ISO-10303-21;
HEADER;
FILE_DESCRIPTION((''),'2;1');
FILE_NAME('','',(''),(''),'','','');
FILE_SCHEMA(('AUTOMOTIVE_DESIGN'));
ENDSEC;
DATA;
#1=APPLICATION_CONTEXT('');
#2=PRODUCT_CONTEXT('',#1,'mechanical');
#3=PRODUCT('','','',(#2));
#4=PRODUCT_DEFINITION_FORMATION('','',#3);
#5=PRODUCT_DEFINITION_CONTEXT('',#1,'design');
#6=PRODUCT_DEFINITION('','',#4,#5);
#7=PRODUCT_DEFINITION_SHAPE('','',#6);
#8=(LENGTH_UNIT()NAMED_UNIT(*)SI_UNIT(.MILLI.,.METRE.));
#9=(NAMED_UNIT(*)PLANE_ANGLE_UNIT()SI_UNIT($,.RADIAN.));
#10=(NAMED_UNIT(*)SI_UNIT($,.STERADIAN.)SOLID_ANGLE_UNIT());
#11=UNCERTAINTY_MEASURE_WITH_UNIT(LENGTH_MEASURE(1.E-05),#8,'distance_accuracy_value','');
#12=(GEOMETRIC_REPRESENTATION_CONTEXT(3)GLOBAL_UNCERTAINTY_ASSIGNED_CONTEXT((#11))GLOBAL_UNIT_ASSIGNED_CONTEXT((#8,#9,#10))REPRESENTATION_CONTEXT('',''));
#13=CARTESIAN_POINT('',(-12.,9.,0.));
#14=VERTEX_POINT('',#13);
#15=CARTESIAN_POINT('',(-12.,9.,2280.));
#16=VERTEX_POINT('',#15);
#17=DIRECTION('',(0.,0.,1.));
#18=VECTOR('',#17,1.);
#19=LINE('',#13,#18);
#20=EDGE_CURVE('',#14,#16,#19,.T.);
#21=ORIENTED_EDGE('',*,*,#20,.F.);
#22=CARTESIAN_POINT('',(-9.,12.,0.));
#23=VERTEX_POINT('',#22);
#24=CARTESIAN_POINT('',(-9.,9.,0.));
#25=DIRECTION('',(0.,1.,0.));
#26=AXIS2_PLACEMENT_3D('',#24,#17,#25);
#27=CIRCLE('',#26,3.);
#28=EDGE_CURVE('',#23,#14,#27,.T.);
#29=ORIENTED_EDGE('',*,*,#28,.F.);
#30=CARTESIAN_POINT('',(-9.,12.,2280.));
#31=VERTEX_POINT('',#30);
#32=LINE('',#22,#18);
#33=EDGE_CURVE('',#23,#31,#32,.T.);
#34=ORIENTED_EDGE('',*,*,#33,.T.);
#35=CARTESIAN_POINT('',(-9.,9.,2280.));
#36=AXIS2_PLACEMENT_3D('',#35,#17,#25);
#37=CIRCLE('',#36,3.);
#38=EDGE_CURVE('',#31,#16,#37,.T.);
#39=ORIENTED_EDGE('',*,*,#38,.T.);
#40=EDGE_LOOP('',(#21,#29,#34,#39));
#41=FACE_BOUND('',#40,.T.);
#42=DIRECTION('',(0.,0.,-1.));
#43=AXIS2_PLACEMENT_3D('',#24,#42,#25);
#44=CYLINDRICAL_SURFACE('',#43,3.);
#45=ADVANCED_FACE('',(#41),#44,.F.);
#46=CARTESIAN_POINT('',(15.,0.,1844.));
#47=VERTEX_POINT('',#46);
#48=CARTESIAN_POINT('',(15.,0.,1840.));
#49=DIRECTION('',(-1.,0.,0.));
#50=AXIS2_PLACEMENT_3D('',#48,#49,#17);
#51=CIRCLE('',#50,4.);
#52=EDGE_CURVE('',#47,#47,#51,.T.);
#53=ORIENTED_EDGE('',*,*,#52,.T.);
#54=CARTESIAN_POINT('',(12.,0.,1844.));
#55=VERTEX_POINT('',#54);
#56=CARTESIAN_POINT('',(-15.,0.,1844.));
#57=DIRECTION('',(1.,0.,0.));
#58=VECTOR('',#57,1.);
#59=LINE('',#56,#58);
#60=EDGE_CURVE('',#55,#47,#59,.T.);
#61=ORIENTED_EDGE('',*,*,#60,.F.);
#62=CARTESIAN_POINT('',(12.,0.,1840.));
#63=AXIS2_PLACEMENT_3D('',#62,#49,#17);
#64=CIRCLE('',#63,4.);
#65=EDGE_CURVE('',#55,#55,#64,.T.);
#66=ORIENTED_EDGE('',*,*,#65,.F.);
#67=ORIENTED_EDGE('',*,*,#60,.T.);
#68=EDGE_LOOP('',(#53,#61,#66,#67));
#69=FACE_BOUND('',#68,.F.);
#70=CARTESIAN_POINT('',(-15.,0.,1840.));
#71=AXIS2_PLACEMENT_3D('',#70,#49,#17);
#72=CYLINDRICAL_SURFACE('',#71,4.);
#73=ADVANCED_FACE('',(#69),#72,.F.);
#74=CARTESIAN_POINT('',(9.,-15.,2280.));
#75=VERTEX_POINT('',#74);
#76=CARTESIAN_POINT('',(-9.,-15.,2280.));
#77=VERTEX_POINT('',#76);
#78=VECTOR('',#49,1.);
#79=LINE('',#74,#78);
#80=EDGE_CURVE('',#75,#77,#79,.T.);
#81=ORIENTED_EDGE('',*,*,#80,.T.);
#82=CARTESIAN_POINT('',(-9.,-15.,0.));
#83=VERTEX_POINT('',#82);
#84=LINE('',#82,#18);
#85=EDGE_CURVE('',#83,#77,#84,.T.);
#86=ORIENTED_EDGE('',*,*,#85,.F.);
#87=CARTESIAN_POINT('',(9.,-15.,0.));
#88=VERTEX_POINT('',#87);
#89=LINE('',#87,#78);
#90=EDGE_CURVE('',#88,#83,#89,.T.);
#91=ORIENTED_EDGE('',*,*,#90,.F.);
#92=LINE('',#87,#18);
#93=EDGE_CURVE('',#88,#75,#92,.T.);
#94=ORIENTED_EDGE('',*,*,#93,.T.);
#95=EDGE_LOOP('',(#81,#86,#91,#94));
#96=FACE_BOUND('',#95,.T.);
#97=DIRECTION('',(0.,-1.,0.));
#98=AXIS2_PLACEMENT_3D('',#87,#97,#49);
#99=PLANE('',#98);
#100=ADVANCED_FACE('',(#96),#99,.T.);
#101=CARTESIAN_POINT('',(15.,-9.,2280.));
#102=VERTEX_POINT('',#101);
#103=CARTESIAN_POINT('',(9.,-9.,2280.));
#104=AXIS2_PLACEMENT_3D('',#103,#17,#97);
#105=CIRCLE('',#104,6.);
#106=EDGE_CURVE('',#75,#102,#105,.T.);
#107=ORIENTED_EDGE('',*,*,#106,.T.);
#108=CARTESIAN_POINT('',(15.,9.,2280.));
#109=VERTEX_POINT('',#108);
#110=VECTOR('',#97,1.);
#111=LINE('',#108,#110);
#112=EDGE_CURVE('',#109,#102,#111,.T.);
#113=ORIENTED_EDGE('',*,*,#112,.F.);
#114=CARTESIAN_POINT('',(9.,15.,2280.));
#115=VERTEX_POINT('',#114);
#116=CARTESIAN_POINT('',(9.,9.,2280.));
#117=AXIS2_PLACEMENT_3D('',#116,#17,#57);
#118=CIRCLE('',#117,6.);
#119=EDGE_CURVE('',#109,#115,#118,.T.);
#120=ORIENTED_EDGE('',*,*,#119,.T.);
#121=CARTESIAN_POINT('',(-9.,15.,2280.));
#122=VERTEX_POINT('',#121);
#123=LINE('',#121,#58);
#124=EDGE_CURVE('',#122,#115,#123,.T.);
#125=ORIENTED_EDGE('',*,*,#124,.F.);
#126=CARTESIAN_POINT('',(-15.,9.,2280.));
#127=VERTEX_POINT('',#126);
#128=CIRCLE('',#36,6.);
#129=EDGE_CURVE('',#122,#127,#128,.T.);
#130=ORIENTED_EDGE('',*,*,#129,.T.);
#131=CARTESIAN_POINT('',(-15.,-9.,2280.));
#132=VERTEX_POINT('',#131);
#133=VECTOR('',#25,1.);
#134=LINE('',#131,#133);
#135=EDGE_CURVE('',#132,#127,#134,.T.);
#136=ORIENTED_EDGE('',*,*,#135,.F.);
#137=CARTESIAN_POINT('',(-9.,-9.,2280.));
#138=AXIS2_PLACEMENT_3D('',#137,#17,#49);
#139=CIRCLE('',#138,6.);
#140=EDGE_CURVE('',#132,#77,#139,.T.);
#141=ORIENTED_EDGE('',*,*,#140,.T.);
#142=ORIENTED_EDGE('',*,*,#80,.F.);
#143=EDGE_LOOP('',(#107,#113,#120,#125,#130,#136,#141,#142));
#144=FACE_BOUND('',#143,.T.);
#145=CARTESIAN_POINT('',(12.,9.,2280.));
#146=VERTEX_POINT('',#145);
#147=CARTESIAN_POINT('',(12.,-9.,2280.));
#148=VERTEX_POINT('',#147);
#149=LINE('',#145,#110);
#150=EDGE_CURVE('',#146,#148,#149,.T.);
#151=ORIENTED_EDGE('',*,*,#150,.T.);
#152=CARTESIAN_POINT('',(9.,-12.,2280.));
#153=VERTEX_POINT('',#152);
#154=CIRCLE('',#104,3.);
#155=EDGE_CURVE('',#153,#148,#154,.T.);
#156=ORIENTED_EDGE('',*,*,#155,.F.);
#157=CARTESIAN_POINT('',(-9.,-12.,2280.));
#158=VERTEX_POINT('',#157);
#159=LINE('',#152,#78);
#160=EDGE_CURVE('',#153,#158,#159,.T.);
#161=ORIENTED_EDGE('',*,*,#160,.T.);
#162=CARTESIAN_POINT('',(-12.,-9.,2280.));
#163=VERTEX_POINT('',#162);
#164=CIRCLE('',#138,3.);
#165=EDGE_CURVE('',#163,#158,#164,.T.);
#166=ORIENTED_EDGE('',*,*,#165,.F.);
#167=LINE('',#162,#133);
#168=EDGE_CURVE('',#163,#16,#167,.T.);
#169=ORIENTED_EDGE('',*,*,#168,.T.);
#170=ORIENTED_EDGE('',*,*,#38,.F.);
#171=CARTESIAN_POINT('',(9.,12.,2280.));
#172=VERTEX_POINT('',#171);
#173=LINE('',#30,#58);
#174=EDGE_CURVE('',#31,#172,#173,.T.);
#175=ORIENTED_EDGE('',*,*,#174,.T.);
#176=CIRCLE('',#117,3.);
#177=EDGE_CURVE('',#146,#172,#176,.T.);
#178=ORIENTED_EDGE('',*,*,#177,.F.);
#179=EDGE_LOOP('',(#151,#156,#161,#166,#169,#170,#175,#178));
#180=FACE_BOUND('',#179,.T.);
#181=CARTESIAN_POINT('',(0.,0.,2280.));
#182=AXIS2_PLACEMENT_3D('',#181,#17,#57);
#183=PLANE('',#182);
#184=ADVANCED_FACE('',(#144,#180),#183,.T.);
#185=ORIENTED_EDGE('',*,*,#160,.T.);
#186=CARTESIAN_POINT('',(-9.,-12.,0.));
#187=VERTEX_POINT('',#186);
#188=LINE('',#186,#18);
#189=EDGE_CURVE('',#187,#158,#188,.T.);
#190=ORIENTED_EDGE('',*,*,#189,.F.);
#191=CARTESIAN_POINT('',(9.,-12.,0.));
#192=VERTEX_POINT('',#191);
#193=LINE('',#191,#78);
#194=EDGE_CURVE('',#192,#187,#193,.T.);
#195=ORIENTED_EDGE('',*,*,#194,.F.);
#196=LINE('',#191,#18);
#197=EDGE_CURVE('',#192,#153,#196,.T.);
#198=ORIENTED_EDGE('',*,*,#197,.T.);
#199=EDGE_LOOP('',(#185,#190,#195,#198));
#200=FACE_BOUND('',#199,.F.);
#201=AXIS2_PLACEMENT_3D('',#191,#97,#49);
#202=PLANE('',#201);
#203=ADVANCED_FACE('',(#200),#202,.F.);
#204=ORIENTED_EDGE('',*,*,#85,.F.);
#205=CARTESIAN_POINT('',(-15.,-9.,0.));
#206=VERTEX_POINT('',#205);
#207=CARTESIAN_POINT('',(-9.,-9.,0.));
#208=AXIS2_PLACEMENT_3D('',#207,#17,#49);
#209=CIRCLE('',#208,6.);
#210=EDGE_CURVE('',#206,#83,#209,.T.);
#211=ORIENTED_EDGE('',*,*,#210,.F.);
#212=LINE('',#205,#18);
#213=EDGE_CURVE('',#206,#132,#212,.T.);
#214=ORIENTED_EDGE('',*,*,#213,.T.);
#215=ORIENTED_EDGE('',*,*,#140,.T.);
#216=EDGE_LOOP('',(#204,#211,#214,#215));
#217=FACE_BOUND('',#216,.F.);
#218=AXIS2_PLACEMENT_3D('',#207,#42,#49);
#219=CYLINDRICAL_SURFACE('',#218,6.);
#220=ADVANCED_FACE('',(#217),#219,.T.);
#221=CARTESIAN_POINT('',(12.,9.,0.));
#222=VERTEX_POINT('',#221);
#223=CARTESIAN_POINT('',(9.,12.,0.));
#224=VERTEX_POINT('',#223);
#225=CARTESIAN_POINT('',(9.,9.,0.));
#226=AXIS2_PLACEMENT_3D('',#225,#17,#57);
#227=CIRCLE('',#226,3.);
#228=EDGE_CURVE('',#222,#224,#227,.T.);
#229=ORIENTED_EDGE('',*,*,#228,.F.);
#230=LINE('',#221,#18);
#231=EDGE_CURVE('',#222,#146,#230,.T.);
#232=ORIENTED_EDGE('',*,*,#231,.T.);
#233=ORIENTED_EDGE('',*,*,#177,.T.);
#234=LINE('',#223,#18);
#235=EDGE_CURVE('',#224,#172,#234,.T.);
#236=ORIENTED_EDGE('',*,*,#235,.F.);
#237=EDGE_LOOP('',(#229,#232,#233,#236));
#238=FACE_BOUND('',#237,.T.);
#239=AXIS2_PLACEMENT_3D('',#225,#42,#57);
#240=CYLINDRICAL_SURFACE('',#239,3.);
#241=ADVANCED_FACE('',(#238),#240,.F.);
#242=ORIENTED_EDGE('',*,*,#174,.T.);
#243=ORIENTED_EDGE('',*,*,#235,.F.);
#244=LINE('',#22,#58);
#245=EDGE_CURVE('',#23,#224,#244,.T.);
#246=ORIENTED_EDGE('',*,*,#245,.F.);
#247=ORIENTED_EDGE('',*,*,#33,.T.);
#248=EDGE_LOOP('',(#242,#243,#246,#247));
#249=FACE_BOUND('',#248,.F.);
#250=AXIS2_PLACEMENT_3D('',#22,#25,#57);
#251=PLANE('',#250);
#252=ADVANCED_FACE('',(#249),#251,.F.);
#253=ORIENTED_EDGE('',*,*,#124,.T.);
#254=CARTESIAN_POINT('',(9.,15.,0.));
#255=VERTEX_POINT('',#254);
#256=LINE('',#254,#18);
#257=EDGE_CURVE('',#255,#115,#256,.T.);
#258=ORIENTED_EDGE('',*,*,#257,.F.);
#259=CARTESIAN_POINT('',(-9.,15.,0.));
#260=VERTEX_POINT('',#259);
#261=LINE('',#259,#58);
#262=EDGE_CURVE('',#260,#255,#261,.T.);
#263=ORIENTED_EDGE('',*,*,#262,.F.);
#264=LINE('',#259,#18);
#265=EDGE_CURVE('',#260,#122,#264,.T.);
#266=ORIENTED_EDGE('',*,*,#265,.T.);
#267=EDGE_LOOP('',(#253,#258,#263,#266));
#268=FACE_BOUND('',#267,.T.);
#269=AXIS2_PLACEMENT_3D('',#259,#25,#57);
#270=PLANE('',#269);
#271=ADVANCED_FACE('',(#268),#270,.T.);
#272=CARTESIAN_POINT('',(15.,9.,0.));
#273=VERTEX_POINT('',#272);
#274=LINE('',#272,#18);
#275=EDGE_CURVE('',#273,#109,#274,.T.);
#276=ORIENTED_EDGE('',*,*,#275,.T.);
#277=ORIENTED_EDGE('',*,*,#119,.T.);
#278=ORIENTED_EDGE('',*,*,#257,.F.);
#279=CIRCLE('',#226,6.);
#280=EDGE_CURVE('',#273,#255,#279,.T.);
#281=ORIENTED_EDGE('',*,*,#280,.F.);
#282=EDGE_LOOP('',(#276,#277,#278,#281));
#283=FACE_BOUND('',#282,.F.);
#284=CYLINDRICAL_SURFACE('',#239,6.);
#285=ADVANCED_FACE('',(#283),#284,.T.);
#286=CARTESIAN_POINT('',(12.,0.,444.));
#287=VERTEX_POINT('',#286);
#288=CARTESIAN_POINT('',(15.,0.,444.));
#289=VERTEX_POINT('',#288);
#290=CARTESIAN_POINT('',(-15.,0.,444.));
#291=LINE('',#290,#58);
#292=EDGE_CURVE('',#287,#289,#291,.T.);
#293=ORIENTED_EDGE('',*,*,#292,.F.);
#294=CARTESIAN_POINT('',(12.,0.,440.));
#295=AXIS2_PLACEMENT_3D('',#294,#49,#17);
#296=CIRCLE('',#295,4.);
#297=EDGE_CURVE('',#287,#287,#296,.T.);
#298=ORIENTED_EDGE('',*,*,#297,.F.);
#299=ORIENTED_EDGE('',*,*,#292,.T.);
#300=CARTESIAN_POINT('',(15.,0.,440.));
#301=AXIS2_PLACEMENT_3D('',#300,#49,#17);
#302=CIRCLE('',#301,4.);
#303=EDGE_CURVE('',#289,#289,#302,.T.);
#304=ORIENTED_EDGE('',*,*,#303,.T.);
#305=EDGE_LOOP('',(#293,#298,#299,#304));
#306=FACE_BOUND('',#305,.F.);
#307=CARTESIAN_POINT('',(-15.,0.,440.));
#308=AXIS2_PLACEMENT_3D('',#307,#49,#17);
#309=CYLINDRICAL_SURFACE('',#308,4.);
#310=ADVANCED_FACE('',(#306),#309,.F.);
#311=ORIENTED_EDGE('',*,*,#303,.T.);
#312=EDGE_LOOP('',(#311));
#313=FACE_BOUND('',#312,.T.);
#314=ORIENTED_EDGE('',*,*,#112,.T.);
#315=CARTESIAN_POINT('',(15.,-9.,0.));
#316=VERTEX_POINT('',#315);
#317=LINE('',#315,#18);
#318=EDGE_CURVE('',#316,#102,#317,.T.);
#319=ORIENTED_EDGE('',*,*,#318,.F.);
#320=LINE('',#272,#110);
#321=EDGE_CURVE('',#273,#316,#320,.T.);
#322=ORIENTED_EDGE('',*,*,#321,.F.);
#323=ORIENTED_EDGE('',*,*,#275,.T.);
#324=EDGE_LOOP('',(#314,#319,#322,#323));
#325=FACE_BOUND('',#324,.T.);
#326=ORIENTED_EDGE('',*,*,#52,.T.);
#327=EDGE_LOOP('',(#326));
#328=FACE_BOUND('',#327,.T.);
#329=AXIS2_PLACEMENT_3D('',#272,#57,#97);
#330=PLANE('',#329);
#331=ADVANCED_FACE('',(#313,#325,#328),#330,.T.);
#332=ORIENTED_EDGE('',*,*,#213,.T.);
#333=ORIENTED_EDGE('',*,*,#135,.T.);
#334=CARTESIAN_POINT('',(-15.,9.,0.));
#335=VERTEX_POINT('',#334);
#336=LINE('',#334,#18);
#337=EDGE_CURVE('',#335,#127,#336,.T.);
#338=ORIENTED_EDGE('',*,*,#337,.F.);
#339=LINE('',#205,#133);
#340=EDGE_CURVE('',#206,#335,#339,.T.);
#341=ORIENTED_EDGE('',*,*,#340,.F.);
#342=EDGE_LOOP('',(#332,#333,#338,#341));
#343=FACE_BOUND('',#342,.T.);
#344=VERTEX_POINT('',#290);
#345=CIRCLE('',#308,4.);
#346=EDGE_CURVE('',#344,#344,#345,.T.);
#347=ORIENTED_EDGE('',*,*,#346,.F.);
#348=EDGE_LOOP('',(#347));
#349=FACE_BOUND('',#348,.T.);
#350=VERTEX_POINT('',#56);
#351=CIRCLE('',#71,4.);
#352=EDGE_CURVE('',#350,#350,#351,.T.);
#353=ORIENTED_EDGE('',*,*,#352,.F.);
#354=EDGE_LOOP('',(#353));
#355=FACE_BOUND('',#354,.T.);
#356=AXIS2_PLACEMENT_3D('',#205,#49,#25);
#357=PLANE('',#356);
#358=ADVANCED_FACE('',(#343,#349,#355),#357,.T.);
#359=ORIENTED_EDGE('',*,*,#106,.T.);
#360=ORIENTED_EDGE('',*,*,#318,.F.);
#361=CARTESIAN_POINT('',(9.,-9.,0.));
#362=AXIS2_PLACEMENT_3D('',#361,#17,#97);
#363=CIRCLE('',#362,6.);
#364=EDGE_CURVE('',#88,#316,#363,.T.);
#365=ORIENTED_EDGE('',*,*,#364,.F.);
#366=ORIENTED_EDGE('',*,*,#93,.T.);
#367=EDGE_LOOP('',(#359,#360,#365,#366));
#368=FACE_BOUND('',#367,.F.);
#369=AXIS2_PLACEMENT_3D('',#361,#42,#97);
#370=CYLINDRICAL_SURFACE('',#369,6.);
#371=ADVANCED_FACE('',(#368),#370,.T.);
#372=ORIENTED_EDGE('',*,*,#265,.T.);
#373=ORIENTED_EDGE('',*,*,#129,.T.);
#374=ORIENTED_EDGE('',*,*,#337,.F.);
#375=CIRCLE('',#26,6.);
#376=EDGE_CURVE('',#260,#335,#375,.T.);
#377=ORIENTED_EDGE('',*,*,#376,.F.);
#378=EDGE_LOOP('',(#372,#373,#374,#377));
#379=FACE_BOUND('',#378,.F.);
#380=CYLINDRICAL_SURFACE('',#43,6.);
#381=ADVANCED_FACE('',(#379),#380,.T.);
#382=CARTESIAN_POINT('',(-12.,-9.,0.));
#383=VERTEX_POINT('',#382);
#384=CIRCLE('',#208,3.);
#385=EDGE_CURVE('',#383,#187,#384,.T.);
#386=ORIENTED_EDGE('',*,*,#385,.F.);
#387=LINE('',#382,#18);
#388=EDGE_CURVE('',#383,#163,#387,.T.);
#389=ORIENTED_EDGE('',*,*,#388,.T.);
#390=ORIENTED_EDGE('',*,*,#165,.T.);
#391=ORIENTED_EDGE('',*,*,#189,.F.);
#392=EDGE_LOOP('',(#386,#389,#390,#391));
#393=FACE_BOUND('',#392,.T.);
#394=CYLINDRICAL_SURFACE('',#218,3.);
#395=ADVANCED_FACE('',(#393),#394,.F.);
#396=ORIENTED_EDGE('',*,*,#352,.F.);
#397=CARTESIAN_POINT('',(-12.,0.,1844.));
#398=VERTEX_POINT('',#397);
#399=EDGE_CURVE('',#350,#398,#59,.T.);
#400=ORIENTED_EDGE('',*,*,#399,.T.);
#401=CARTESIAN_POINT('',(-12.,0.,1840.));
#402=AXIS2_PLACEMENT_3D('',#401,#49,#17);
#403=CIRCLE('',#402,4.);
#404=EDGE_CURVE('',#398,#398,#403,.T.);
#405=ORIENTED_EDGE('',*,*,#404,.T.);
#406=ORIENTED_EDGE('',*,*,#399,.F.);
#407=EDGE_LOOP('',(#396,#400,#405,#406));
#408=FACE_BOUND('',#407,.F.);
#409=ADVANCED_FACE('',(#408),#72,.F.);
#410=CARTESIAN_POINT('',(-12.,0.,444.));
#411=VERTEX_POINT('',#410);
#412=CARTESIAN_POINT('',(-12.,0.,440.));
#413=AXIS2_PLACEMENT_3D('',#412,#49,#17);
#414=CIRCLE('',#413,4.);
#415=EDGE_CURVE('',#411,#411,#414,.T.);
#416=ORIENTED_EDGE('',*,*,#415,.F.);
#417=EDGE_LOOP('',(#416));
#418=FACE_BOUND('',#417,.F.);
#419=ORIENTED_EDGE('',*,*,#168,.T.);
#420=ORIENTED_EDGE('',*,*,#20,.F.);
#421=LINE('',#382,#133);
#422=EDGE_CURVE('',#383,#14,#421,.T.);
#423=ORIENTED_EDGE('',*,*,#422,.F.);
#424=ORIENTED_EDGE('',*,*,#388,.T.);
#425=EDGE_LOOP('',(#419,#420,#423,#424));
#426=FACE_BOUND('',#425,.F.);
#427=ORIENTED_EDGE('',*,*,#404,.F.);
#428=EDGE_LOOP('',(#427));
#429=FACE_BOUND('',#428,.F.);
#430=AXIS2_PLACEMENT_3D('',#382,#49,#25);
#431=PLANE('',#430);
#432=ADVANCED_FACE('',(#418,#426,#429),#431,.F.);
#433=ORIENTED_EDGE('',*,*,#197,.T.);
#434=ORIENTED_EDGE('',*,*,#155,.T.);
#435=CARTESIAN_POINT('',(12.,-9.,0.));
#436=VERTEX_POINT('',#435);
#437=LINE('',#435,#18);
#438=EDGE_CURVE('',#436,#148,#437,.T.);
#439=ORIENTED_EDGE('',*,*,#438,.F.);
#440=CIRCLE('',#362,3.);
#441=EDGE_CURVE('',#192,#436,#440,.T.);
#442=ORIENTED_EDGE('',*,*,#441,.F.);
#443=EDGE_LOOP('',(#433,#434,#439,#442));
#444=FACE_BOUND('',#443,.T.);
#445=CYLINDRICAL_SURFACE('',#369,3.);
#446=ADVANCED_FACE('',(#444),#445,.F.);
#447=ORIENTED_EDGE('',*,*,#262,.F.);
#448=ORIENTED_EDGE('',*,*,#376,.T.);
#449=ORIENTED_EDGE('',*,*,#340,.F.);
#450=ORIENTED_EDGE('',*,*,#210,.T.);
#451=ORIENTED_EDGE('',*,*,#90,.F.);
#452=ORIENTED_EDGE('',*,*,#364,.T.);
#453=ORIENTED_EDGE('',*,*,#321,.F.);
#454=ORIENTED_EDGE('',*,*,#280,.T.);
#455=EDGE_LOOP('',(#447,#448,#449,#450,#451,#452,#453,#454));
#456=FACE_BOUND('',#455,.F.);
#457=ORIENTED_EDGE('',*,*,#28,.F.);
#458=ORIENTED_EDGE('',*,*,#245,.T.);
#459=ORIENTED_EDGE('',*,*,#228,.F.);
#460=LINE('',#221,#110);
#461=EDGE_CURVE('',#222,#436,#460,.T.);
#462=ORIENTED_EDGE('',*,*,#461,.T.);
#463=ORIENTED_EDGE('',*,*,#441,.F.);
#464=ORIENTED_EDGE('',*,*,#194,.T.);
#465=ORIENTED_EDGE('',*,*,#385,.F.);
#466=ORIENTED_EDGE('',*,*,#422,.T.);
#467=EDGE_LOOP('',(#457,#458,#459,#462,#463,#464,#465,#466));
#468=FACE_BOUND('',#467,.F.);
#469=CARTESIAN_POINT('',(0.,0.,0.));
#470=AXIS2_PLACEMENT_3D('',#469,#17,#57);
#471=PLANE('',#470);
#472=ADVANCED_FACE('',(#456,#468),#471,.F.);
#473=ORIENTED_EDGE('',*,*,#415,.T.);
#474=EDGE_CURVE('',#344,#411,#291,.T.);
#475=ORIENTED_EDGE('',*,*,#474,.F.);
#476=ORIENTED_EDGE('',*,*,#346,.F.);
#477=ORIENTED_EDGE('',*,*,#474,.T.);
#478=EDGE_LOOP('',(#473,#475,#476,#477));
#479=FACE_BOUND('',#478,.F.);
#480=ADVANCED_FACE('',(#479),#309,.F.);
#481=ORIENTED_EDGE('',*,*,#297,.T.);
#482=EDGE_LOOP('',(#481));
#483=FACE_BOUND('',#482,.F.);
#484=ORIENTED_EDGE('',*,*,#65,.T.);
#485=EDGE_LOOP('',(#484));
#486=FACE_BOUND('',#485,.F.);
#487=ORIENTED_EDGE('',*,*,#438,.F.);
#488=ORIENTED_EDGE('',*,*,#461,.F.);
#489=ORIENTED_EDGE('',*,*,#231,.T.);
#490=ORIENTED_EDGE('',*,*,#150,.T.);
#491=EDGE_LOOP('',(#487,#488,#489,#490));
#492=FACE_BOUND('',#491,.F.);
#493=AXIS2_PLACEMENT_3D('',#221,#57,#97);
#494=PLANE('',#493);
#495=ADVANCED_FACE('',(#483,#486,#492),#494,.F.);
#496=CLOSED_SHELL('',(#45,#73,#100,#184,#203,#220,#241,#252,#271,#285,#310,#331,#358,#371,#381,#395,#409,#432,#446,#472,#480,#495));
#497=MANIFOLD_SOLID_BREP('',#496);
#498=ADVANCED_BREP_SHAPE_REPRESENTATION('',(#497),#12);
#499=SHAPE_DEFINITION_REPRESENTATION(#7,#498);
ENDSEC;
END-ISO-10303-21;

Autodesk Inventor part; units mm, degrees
ref_plane "YZ Plane" through (0, 0, 0) normal (1, 0, 0) x (0, 1, 0)
ref_plane "Plano inicial" through (0, 0, 0) normal (0, 0, 1) x (1, 0, 0)
ref_plane "Plano final" through (0, 0, 2280) normal (0, 0, 1) x (1, 0, 0)
sketch "Rascunho" plane through (0, 0, 0) normal (0, 0, 1) x (1, 0, 0)
  line L0 (-15, -9) -> (-15, 9)
  line L1 (-9, 15) -> (9, 15)
  line L2 (15, 9) -> (15, -9)
  line L3 (9, -15) -> (-9, -15)
  arc A0 (-15, -9) -> (-9, -15) centre (-9, -9) ccw
  arc A1 (15, 9) -> (9, 15) centre (9, 9) ccw
  arc A2 (-9, 15) -> (-15, 9) centre (-9, 9) ccw
  arc A3 (9, -15) -> (15, -9) centre (9, -9) ccw
  arc A4 (-9, 12) -> (-12, 9) centre (-9, 9) ccw
  line L4 (-9, 12) -> (9, 12)
  arc A5 (12, 9) -> (9, 12) centre (9, 9) ccw
  line L5 (12, 9) -> (12, -9)
  arc A6 (9, -12) -> (12, -9) centre (9, -9) ccw
  line L6 (9, -12) -> (-9, -12)
  arc A7 (-12, -9) -> (-9, -12) centre (-9, -9) ccw
  line L7 (-12, -9) -> (-12, 9)
  line L8 (0, 22.7397) -> (0, -22.7397) construction
  line L9 (-22.7397, 0) -> (22.7397, 0) construction
  dimension "d7" = 6
  dimension "d9" = 30
  dimension "d11" = 30
  dimension "d12" = 3
  dimension "d15" = 15
  dimension "d16" = 15
extrude "Corpo" add sketch "Rascunho" along normal up to surface (2280 mm away) from surface at 0
sketch "Sketch3" plane through (0, 0, 0) normal (0, 0, 1) x (1, 0, 0)
  line L0 (0, 0) -> (10, 0)
ref_plane "Work Plane3" through (0, 0, 0) normal (0, -1, 0) x (1, 0, 0)
sketch "Esboço5" plane through (-9, -15, 2280) normal (0, 0, 1) x (1, 0, 0)
  point P0 (9, 15)
sketch "Esboço7" plane through (-15, 9, 0) normal (-1, 0, 0) x (0, 0, 1)
  line L0 (2280, -53.7835) -> (2280, 35.3668)
  circle A0 centre (1840, -9) radius 4
  line L1 (1862, -56.2056) -> (1862, 46.17)
  line L2 (1822, -56.2056) -> (1822, 46.17)
  line L3 (0, -24) -> (2280, -24) projected
  circle A1 centre (440, -9) radius 4
  line L4 (0, -18) -> (0, 0) projected
  point P0 (0, -9)
  dimension "d23" = 8
  dimension "d24" = 440
  dimension "d27" = 40
  dimension "d28" = 15
  dimension "d29" = 8
  dimension "d30" = 440
  dimension "d31" = 15
extrude "Extrusão3" cut sketch "Esboço7" against normal through all
sketch "Sketch4" plane through (0, 0, 0) normal (0, -1, 0) x (1, 0, 0)
  line L0 (-2, 0) -> (12, 0) projected
  line L1 (-2, 2280) -> (12, 2280) projected
  dimension "d18" = 2280
equation "\"d7\" = G_IR"
equation "\"d9\" = G_W"
equation "\"d11\" = G_H"
equation "\"d12\" = G_T"
equation "\"d15\" = 0.5 * d9"
equation "\"d16\" = 0.5 * d11"
equation "\"d3\" = G_L"
equation "\"G_W\" = 30"
equation "\"G_H\" = 30"
equation "\"G_T\" = 3"
equation "\"G_IR\" = 6"
equation "\"G_L\" = d18"
equation "\"G_OFFSET_START\" = 0"
equation "\"G_OFFSET_END\" = 0"
properties part number "Perfil tubo - 30x30x3 - 2280" material "Aço, suave"
